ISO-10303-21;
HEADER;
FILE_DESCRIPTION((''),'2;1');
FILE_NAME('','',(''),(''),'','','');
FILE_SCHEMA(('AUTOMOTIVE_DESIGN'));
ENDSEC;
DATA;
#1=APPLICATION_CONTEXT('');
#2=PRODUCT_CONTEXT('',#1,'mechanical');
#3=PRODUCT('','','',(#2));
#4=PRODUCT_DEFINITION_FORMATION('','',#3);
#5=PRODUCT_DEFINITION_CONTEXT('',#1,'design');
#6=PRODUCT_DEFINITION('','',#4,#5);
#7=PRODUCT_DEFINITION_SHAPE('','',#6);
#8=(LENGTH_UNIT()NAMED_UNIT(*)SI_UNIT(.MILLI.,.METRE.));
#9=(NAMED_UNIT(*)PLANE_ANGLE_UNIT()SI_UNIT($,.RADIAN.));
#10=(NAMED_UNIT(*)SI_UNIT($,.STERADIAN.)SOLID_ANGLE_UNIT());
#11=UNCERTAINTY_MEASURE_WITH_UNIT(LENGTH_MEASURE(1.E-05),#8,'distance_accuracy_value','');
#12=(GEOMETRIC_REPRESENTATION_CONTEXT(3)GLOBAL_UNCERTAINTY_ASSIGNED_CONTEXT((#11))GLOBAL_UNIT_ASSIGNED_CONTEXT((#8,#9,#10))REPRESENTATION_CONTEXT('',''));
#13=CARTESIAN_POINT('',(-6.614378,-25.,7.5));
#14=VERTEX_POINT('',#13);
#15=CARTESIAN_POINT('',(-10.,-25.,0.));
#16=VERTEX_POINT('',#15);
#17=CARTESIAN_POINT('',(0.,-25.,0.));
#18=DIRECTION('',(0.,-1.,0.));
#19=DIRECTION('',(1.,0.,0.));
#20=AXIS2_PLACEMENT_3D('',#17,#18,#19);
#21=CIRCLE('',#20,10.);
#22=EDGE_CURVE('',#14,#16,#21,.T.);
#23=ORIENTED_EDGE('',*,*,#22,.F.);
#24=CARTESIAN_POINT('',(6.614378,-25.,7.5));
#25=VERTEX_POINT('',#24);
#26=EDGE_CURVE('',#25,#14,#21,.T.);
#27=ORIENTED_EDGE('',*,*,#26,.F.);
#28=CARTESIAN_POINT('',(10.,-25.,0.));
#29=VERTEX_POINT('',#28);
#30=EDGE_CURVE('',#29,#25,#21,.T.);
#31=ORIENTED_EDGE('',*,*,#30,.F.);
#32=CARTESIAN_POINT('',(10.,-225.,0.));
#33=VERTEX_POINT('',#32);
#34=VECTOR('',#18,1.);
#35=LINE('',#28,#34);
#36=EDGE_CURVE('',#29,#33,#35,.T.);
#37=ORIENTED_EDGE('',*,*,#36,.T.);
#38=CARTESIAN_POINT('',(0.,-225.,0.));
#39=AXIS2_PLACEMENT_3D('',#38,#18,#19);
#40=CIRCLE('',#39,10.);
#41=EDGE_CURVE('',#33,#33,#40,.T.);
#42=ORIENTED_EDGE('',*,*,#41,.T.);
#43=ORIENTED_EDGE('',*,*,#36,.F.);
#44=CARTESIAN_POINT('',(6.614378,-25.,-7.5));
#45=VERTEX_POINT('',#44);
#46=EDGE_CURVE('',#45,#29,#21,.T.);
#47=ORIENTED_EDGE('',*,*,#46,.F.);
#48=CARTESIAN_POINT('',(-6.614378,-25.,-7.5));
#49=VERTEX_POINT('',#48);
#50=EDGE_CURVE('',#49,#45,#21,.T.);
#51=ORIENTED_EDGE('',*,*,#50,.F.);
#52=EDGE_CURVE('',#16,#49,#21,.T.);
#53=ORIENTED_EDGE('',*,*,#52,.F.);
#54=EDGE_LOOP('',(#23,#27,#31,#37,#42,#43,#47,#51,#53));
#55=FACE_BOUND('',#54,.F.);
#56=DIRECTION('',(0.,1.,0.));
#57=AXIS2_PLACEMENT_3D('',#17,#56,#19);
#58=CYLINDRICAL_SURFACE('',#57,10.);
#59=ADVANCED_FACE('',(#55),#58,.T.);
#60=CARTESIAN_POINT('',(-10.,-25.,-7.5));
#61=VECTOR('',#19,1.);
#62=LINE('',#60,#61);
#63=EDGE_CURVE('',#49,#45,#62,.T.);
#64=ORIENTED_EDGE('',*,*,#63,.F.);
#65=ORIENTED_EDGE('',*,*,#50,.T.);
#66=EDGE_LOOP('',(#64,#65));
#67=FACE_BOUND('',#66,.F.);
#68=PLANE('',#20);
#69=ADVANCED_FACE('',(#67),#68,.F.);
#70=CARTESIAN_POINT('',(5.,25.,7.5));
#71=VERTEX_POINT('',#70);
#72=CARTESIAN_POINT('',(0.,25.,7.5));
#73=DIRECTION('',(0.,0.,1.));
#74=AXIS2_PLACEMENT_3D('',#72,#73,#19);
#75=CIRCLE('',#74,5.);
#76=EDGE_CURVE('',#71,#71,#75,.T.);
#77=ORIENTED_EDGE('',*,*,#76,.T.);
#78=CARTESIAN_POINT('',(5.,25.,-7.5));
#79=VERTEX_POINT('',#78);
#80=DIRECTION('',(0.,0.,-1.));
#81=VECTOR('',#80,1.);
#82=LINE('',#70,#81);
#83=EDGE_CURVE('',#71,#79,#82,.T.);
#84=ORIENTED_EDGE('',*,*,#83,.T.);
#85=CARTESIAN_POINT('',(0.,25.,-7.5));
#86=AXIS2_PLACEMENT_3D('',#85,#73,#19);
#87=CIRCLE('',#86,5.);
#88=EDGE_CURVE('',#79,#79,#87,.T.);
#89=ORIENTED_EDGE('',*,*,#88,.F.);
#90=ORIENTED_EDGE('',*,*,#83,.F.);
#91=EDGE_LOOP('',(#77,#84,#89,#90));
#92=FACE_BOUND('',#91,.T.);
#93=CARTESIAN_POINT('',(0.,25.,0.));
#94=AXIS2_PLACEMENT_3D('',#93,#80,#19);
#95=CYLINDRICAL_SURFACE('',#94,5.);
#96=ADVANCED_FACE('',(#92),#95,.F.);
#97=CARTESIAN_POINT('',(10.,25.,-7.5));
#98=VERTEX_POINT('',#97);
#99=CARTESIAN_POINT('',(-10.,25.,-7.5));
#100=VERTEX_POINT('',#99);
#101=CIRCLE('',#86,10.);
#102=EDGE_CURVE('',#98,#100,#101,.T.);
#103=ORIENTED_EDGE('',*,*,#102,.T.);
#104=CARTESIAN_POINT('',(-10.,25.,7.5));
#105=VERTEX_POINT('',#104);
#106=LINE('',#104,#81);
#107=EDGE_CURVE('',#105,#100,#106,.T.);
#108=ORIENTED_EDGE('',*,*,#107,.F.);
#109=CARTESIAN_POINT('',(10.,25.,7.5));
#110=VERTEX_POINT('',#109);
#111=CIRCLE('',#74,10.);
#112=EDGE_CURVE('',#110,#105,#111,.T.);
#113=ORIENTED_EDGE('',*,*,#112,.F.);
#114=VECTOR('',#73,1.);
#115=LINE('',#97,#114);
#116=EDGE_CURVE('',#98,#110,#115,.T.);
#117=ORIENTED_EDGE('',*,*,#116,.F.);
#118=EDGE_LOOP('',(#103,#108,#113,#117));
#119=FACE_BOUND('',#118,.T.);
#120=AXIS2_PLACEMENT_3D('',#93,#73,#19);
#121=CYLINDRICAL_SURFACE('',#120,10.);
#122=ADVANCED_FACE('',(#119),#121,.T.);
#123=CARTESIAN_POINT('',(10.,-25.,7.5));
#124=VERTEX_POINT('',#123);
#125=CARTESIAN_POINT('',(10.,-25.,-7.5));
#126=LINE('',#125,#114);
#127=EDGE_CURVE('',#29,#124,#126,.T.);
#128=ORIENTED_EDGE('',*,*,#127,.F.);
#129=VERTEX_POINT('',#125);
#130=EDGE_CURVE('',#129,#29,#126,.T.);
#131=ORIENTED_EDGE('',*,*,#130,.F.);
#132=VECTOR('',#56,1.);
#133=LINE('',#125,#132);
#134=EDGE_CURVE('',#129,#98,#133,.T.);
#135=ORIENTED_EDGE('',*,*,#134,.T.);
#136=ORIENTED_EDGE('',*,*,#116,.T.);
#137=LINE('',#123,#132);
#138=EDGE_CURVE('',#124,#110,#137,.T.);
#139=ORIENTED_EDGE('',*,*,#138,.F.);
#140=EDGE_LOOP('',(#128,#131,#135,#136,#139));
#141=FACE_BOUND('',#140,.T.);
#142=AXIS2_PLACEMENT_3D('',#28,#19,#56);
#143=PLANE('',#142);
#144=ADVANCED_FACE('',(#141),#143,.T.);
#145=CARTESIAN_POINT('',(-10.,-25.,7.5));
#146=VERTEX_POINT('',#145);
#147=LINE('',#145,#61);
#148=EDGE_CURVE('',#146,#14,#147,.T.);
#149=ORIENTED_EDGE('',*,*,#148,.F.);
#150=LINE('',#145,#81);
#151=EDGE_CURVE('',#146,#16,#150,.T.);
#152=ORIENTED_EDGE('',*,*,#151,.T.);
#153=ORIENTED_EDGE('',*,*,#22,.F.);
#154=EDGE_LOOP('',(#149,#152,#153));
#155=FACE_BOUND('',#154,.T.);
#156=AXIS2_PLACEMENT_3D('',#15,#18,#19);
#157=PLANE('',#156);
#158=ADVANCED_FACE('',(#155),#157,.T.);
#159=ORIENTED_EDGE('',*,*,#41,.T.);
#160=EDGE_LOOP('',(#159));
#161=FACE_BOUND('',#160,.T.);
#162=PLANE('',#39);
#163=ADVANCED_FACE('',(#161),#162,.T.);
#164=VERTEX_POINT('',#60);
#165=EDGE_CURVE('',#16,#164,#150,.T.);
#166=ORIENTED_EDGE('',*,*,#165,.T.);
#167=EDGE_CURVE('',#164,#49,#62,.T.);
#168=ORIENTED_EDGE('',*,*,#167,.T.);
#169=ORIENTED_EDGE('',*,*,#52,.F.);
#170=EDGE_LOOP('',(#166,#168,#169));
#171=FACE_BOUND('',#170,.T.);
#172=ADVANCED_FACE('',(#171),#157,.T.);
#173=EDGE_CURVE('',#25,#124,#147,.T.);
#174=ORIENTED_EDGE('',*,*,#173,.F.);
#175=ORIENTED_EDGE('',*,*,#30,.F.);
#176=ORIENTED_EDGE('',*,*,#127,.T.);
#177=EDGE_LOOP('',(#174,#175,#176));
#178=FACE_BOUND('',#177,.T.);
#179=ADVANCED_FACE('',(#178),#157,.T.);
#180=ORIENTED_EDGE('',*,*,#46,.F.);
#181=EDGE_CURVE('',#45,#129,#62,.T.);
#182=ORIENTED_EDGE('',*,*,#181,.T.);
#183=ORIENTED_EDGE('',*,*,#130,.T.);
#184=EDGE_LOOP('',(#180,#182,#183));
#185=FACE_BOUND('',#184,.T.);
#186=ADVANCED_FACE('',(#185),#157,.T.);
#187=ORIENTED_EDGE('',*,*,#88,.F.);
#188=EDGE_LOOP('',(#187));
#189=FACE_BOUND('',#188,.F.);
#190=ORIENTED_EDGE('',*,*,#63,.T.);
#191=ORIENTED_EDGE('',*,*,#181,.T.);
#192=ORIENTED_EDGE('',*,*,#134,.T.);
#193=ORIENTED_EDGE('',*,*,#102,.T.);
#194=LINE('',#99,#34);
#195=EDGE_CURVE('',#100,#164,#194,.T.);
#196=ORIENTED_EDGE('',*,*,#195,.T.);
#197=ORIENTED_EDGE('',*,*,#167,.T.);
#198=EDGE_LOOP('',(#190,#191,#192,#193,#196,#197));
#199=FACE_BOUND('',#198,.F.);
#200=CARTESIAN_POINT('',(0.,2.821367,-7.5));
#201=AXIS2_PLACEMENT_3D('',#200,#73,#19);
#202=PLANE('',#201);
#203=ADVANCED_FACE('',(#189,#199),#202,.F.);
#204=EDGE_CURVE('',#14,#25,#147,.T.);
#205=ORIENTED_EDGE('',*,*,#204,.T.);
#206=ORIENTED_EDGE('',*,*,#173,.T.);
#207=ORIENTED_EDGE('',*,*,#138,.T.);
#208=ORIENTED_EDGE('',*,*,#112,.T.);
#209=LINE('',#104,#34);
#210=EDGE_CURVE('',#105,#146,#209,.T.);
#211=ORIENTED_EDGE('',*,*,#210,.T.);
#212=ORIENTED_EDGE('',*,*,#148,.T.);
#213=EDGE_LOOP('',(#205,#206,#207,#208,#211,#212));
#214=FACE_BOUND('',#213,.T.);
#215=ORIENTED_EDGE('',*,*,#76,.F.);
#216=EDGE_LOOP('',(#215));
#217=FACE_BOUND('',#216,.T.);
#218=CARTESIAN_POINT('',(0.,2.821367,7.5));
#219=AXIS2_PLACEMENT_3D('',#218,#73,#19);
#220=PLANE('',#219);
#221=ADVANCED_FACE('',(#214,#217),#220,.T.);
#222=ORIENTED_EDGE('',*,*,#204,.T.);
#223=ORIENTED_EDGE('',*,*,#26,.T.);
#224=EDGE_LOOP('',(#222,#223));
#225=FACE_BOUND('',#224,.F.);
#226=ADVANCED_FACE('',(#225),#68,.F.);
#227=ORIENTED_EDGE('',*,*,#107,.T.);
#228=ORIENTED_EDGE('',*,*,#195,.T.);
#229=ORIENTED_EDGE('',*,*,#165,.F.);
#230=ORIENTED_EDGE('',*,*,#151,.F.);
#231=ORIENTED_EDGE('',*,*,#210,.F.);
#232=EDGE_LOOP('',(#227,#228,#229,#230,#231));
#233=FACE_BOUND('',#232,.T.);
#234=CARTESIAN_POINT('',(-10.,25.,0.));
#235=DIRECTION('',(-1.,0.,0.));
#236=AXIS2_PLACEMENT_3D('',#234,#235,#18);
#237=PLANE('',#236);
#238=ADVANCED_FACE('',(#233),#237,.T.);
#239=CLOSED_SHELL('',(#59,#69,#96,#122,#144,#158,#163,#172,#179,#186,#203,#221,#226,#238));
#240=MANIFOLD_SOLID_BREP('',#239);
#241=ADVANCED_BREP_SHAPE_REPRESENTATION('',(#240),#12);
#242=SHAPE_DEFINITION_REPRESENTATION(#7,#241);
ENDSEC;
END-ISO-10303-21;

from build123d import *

# Parameters (mm, degrees)
F0_R     = 5
F1_DEPTH = 7.5
F2_R     = 10
F3_DEPTH = 200


with BuildPart() as f1:
    # F0 (on Top) → F1 (new body, symmetric)
    with BuildSketch(Plane.XY):
        with BuildLine():
            Line((-10, -25), (10, -25))
            Line((10, -25), (10, 25))
            ThreePointArc((10, 25), (0, 35), (-10, 25))
            Line((-10, 25), (-10, -25))
        make_face()
        with Locations((0, 25)):
            Circle(F0_R, mode=Mode.SUBTRACT)
    extrude(amount=F1_DEPTH, both=True)

    # F2 (on face) → F3 (join)
    with BuildSketch(Plane.XZ.offset(25)):
        Circle(F2_R)
    extrude(amount=F3_DEPTH)


solid = f1.part
